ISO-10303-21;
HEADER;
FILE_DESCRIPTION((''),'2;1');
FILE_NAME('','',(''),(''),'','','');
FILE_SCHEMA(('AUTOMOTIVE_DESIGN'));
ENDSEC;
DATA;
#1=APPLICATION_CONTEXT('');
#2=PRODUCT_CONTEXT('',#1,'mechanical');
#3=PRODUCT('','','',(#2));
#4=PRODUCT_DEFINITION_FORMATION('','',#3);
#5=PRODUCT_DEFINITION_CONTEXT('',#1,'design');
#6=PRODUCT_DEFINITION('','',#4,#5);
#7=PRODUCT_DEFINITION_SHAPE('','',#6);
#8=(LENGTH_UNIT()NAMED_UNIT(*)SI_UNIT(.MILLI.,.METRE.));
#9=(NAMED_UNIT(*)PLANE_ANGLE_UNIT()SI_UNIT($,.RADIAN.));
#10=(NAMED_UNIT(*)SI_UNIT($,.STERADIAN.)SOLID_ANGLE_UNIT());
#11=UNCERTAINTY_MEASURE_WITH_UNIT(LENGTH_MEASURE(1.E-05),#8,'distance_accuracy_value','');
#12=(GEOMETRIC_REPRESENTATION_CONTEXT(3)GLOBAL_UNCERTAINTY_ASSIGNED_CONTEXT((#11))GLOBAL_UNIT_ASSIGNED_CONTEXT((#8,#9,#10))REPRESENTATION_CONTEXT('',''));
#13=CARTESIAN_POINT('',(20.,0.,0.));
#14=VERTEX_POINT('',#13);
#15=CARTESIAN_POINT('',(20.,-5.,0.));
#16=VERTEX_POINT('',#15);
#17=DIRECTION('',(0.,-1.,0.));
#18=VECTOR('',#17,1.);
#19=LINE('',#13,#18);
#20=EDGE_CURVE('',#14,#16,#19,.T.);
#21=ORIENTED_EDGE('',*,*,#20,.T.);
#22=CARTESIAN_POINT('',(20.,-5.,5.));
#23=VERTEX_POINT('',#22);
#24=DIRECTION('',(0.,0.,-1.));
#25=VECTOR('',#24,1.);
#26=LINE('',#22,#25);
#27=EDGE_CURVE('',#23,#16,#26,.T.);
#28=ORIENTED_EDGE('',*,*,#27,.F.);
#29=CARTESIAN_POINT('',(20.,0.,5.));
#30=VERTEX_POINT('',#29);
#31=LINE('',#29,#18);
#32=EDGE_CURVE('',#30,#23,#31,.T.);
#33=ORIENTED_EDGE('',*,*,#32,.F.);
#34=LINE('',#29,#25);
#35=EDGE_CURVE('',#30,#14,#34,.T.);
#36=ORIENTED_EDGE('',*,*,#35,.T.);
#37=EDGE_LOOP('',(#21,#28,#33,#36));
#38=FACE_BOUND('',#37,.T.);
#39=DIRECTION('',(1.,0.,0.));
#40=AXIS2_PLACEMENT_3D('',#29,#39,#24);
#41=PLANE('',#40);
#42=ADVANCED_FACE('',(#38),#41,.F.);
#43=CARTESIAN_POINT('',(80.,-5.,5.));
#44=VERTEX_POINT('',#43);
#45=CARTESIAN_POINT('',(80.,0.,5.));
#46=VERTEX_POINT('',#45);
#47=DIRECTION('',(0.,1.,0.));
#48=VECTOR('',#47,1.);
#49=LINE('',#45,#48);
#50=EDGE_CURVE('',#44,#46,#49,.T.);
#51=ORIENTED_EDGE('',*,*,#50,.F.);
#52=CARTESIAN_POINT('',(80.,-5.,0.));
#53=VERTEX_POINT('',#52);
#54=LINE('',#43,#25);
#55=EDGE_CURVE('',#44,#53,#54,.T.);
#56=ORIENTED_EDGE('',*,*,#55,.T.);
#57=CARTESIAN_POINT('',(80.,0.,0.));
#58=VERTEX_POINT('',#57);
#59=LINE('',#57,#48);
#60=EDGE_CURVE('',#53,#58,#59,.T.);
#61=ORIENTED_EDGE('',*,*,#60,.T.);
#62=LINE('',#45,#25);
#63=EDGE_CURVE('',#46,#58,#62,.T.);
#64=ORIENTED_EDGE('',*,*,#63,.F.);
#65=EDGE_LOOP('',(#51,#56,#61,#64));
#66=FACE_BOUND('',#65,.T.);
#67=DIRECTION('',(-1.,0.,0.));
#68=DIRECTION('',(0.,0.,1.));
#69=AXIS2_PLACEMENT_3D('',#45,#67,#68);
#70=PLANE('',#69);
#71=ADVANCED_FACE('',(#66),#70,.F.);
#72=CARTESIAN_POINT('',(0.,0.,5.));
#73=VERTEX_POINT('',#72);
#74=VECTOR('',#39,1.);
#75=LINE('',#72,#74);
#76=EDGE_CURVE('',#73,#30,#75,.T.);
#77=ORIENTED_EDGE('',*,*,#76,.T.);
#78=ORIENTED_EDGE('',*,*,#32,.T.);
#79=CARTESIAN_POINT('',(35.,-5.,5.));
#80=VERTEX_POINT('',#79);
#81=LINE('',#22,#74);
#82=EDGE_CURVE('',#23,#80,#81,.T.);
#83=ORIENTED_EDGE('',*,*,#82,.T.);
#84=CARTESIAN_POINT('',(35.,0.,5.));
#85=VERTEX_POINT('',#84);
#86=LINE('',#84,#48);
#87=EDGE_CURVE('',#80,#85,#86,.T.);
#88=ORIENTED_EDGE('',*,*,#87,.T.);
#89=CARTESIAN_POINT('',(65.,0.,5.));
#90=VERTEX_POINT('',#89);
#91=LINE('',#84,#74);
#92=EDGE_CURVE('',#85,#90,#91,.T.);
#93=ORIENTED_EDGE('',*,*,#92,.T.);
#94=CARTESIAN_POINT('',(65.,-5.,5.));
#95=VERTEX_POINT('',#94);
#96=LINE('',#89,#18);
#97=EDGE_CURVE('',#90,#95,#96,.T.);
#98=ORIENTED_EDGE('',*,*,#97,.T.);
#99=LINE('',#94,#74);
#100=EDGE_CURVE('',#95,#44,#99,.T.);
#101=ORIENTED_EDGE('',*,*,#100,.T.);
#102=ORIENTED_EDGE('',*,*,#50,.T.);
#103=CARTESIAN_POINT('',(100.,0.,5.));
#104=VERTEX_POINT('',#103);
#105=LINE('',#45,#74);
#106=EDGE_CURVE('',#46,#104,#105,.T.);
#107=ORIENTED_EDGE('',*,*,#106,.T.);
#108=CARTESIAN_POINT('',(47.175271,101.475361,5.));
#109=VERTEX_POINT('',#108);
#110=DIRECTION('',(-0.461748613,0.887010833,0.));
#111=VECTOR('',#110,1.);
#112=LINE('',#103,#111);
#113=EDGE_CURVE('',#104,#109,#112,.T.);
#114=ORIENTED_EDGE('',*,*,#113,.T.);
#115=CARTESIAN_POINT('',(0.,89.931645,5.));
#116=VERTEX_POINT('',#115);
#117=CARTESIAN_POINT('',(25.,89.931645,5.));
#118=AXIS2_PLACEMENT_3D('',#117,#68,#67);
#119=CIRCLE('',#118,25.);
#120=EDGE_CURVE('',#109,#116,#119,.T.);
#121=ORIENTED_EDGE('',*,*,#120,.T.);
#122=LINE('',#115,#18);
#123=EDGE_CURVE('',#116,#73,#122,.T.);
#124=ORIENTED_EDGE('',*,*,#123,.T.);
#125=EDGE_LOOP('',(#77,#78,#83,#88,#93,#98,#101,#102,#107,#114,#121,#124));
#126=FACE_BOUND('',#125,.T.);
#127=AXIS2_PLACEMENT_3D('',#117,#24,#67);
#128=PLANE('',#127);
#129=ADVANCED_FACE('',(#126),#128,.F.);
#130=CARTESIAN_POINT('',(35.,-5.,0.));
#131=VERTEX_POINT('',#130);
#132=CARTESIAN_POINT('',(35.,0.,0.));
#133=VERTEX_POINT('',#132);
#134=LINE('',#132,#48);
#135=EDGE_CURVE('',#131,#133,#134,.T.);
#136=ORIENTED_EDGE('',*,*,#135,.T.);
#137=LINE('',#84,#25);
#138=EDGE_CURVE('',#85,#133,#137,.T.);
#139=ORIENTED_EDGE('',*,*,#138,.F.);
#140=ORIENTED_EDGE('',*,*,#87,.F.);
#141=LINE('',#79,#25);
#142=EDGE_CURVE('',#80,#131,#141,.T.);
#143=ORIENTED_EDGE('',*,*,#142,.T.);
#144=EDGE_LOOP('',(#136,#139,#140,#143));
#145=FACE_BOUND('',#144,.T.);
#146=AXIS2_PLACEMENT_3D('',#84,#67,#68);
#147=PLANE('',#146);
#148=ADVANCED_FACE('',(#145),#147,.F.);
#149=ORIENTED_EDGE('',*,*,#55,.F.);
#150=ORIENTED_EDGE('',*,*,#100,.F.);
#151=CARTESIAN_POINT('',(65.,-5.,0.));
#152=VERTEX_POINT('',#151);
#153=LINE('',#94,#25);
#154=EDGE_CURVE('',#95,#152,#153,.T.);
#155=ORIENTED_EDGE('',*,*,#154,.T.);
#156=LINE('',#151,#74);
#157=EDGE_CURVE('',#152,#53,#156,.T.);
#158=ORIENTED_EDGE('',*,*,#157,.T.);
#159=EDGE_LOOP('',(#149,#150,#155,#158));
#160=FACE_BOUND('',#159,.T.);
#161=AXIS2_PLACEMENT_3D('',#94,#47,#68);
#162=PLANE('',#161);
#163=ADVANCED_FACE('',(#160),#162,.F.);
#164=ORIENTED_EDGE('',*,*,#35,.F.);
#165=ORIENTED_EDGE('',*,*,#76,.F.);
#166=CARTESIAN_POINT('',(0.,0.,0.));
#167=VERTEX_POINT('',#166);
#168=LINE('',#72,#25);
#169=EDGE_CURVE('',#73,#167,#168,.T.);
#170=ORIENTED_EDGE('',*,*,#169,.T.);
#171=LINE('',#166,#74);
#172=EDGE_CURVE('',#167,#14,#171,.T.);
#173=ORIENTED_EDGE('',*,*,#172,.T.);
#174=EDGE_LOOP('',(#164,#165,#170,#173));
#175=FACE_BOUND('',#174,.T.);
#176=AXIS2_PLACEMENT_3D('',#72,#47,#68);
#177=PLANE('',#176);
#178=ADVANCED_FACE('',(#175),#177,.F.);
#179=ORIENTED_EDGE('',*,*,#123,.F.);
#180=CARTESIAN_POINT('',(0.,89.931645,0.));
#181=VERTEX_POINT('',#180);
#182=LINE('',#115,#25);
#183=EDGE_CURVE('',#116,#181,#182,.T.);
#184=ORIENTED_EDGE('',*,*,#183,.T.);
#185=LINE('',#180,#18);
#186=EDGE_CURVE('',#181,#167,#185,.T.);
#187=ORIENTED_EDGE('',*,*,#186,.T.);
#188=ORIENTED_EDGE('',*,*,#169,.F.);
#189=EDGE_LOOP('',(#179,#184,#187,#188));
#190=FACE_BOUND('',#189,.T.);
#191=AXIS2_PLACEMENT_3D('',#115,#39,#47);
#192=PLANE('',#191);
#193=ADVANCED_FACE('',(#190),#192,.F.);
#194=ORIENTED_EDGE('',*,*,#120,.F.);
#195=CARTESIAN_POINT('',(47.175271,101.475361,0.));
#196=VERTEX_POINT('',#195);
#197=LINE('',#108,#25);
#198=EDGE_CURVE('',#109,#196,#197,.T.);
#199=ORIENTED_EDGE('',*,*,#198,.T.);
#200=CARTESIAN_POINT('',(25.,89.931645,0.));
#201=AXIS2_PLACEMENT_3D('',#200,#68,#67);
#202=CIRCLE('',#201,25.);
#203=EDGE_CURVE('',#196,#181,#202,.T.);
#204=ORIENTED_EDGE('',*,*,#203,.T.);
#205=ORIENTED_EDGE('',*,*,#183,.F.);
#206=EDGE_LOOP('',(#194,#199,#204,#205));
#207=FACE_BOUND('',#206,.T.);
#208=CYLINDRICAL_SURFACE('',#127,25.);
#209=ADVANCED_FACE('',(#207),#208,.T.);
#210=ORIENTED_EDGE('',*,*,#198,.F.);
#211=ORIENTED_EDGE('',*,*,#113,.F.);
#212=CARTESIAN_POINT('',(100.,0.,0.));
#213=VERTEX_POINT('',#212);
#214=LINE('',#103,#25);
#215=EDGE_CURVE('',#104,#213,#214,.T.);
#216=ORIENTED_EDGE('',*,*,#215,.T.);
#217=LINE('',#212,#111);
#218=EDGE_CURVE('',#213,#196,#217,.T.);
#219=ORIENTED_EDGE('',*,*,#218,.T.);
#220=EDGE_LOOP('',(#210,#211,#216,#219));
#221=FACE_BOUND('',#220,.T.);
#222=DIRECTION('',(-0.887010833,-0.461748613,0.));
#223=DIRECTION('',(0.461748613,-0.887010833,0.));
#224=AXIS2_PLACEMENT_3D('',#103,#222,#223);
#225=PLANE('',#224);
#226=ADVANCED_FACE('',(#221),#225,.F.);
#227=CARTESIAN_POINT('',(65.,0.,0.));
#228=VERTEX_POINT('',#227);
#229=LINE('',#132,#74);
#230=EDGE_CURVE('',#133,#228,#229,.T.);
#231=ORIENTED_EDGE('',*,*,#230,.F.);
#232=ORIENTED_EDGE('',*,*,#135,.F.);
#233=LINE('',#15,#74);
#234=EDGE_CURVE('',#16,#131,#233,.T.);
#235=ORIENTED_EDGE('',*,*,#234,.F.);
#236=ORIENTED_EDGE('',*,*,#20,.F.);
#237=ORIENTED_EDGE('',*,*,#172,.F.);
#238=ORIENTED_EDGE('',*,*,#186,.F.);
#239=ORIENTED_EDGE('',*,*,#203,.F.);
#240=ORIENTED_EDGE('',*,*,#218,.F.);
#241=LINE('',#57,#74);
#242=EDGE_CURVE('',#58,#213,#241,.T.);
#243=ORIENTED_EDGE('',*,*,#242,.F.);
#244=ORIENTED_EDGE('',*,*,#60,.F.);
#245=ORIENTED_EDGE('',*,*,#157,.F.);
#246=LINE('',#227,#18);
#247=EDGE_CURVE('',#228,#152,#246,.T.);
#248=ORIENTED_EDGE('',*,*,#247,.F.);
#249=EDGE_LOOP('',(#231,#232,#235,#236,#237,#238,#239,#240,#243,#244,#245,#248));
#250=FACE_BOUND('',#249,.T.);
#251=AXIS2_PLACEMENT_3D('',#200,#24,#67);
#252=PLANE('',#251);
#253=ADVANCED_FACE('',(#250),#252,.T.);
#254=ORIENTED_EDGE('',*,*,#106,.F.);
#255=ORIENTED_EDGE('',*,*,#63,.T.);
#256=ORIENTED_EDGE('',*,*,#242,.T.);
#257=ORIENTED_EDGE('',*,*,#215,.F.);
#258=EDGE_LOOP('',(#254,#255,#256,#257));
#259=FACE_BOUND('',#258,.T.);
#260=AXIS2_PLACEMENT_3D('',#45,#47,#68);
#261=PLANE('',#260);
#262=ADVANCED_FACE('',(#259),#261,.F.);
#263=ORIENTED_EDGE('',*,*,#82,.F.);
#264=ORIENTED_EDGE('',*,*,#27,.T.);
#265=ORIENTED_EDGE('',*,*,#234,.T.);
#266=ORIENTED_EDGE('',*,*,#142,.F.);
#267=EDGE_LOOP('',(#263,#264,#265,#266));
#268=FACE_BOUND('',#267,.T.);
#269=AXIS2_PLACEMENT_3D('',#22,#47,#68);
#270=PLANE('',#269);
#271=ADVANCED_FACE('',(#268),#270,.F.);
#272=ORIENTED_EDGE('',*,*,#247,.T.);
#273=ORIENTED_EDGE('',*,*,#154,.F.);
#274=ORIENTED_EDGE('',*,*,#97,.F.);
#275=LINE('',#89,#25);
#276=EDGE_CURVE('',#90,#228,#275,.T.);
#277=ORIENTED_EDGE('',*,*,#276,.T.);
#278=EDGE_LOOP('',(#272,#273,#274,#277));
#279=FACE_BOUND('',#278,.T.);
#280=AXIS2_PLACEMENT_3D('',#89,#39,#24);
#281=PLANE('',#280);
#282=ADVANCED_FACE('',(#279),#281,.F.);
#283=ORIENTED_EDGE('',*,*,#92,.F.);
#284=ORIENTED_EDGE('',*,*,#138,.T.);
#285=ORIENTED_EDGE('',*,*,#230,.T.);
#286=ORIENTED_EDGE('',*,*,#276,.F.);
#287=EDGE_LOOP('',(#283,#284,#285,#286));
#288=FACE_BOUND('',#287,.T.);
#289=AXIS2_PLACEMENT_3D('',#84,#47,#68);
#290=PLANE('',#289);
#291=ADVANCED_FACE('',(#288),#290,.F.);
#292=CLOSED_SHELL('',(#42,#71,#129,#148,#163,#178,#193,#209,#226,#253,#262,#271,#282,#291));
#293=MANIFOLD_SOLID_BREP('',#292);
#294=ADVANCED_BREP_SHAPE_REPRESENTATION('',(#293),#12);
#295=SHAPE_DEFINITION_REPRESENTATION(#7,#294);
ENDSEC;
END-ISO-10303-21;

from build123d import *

# Parameters (mm, degrees)
BOSS_EXTRUDE1_DEPTH = 5


with BuildPart() as part:
    # Sketch1 → Boss-Extrude1 (new body)
    with BuildSketch(Plane.XY):
        with BuildLine():
            Line((0, 89.931645268), (0, 0))
            Line((0, 0), (20, 0))
            Line((20, 0), (20, -5))
            Line((20, -5), (35, -5))
            Line((35, -5), (35, 0))
            Line((35, 0), (65, 0))
            Line((65, 0), (65, -5))
            Line((65, -5), (80, -5))
            Line((80, -5), (80, 0))
            Line((80, 0), (100, 0))
            Line((100, 0), (47.175270829, 101.475360599))
            ThreePointArc((47.175270829, 101.475360599), (19.057852692, 114.215197013), (0, 89.931645268))
        make_face()
    extrude(amount=BOSS_EXTRUDE1_DEPTH)


solid = part.part
